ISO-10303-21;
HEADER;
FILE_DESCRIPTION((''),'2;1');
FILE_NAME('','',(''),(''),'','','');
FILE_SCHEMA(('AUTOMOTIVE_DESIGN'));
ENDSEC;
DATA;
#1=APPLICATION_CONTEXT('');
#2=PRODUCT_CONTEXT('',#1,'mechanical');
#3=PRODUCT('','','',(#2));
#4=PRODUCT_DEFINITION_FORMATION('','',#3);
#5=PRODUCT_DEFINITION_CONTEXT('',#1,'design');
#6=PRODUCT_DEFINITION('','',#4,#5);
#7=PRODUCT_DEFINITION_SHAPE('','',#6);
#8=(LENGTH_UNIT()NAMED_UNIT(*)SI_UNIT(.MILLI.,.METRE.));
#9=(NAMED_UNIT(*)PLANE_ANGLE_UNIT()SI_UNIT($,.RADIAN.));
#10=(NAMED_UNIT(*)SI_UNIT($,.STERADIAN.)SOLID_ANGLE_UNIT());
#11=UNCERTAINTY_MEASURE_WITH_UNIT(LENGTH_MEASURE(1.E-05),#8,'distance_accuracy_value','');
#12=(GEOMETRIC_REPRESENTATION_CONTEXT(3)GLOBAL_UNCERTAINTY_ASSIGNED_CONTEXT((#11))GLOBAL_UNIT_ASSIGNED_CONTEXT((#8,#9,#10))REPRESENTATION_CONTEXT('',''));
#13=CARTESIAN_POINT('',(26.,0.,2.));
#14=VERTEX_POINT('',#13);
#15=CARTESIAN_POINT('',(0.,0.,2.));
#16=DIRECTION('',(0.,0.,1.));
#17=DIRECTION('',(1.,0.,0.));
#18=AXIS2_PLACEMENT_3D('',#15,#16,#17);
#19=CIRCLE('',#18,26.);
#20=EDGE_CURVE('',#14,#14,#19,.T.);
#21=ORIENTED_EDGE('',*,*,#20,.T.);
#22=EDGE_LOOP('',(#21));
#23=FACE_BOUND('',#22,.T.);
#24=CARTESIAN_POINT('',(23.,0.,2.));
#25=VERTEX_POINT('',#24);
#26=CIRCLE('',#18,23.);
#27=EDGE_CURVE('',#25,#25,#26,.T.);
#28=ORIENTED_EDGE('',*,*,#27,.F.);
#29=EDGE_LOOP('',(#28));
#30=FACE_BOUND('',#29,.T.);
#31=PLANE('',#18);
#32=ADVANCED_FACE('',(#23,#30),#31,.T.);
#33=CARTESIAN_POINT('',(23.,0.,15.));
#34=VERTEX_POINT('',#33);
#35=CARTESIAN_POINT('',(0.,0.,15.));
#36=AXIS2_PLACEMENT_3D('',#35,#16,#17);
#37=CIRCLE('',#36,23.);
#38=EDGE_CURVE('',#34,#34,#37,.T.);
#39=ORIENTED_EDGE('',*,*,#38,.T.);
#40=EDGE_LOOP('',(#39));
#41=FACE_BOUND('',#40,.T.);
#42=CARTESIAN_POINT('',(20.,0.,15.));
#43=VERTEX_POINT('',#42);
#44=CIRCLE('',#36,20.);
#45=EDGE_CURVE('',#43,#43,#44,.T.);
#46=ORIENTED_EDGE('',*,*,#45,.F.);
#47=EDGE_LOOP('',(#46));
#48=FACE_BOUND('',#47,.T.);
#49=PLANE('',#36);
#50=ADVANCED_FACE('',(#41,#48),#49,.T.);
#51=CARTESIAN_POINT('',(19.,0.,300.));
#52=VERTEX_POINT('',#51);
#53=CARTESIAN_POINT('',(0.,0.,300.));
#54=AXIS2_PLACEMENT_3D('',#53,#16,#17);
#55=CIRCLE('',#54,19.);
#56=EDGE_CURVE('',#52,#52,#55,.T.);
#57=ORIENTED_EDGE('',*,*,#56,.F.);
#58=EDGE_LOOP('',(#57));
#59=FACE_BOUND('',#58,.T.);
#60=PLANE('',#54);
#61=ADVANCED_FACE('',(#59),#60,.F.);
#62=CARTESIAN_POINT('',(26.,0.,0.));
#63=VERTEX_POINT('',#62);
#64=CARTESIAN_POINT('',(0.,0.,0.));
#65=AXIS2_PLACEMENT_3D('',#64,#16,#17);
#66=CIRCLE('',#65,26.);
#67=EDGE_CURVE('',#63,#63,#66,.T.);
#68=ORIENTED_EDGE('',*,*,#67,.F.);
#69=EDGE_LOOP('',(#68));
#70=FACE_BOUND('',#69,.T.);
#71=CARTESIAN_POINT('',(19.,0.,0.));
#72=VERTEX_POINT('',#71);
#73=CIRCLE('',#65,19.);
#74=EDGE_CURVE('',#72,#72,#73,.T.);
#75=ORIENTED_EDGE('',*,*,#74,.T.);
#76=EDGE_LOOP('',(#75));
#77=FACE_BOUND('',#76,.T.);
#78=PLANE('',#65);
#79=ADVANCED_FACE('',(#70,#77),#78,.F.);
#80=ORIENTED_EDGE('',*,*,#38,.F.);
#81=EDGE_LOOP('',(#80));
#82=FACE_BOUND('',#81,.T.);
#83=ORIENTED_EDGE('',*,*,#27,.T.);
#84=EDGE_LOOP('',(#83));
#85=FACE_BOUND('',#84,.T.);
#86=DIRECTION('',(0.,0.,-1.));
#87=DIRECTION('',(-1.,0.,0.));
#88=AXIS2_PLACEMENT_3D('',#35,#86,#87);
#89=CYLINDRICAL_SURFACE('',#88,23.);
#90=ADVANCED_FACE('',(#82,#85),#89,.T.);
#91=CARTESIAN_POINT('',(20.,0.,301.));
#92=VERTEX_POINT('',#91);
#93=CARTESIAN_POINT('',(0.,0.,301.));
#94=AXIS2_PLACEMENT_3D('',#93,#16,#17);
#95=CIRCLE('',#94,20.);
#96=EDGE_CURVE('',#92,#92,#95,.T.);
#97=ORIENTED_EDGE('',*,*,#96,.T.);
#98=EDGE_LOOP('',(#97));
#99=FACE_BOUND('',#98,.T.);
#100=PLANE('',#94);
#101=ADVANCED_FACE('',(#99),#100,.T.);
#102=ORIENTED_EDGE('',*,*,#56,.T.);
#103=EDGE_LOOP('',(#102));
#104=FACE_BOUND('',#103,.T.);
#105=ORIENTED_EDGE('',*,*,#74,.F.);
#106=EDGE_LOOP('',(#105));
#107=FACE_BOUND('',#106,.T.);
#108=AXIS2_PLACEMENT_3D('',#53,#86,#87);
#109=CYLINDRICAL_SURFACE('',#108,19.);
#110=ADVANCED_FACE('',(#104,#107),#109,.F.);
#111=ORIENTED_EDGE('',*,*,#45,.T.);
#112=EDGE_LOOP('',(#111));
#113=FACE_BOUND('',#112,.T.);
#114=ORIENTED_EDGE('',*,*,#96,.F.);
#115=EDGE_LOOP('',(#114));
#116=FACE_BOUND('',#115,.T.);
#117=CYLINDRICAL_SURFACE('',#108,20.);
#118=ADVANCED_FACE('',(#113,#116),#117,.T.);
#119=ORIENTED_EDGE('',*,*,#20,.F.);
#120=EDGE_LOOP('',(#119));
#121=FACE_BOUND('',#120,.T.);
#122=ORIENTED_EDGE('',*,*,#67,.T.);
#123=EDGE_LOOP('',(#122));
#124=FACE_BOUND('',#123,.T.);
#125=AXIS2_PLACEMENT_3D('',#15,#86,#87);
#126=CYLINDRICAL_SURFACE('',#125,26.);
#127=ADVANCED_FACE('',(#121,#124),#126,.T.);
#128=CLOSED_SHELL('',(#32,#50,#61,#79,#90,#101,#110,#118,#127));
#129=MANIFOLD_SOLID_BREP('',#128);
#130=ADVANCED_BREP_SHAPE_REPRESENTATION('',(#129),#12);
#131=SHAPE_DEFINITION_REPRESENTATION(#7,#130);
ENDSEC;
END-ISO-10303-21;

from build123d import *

# Parameters (mm, degrees)
SKETCH2_R           = 20
SKETCH2_R_2         = 19
BOSS_EXTRUDE1_DEPTH = 300
SKETCH3_R           = 20
BOSS_EXTRUDE2_DEPTH = 1
SKETCH2_4_R         = 23
SKETCH2_4_R_2       = 20
BOSS_EXTRUDE3_DEPTH = 15
SKETCH2_5_R         = 26
SKETCH2_5_R_2       = 23
BOSS_EXTRUDE4_DEPTH = 2


with BuildPart() as part:
    # Sketch2 → Boss-Extrude1 (new body)
    with BuildSketch(Plane.XY):
        Circle(SKETCH2_R)
        Circle(SKETCH2_R_2, mode=Mode.SUBTRACT)
    extrude(amount=BOSS_EXTRUDE1_DEPTH)

    # Sketch3 → Boss-Extrude2 (add)
    with BuildSketch(Plane.XY.offset(300)):
        Circle(SKETCH3_R)
    extrude(amount=BOSS_EXTRUDE2_DEPTH)

    # Sketch2<4> → Boss-Extrude3 (add)
    with BuildSketch(Plane.XY):
        Circle(SKETCH2_4_R)
        Circle(SKETCH2_4_R_2, mode=Mode.SUBTRACT)
    extrude(amount=BOSS_EXTRUDE3_DEPTH)

    # Sketch2<5> → Boss-Extrude4 (add)
    with BuildSketch(Plane.XY):
        Circle(SKETCH2_5_R)
        Circle(SKETCH2_5_R_2, mode=Mode.SUBTRACT)
    extrude(amount=BOSS_EXTRUDE4_DEPTH)


solid = part.part
